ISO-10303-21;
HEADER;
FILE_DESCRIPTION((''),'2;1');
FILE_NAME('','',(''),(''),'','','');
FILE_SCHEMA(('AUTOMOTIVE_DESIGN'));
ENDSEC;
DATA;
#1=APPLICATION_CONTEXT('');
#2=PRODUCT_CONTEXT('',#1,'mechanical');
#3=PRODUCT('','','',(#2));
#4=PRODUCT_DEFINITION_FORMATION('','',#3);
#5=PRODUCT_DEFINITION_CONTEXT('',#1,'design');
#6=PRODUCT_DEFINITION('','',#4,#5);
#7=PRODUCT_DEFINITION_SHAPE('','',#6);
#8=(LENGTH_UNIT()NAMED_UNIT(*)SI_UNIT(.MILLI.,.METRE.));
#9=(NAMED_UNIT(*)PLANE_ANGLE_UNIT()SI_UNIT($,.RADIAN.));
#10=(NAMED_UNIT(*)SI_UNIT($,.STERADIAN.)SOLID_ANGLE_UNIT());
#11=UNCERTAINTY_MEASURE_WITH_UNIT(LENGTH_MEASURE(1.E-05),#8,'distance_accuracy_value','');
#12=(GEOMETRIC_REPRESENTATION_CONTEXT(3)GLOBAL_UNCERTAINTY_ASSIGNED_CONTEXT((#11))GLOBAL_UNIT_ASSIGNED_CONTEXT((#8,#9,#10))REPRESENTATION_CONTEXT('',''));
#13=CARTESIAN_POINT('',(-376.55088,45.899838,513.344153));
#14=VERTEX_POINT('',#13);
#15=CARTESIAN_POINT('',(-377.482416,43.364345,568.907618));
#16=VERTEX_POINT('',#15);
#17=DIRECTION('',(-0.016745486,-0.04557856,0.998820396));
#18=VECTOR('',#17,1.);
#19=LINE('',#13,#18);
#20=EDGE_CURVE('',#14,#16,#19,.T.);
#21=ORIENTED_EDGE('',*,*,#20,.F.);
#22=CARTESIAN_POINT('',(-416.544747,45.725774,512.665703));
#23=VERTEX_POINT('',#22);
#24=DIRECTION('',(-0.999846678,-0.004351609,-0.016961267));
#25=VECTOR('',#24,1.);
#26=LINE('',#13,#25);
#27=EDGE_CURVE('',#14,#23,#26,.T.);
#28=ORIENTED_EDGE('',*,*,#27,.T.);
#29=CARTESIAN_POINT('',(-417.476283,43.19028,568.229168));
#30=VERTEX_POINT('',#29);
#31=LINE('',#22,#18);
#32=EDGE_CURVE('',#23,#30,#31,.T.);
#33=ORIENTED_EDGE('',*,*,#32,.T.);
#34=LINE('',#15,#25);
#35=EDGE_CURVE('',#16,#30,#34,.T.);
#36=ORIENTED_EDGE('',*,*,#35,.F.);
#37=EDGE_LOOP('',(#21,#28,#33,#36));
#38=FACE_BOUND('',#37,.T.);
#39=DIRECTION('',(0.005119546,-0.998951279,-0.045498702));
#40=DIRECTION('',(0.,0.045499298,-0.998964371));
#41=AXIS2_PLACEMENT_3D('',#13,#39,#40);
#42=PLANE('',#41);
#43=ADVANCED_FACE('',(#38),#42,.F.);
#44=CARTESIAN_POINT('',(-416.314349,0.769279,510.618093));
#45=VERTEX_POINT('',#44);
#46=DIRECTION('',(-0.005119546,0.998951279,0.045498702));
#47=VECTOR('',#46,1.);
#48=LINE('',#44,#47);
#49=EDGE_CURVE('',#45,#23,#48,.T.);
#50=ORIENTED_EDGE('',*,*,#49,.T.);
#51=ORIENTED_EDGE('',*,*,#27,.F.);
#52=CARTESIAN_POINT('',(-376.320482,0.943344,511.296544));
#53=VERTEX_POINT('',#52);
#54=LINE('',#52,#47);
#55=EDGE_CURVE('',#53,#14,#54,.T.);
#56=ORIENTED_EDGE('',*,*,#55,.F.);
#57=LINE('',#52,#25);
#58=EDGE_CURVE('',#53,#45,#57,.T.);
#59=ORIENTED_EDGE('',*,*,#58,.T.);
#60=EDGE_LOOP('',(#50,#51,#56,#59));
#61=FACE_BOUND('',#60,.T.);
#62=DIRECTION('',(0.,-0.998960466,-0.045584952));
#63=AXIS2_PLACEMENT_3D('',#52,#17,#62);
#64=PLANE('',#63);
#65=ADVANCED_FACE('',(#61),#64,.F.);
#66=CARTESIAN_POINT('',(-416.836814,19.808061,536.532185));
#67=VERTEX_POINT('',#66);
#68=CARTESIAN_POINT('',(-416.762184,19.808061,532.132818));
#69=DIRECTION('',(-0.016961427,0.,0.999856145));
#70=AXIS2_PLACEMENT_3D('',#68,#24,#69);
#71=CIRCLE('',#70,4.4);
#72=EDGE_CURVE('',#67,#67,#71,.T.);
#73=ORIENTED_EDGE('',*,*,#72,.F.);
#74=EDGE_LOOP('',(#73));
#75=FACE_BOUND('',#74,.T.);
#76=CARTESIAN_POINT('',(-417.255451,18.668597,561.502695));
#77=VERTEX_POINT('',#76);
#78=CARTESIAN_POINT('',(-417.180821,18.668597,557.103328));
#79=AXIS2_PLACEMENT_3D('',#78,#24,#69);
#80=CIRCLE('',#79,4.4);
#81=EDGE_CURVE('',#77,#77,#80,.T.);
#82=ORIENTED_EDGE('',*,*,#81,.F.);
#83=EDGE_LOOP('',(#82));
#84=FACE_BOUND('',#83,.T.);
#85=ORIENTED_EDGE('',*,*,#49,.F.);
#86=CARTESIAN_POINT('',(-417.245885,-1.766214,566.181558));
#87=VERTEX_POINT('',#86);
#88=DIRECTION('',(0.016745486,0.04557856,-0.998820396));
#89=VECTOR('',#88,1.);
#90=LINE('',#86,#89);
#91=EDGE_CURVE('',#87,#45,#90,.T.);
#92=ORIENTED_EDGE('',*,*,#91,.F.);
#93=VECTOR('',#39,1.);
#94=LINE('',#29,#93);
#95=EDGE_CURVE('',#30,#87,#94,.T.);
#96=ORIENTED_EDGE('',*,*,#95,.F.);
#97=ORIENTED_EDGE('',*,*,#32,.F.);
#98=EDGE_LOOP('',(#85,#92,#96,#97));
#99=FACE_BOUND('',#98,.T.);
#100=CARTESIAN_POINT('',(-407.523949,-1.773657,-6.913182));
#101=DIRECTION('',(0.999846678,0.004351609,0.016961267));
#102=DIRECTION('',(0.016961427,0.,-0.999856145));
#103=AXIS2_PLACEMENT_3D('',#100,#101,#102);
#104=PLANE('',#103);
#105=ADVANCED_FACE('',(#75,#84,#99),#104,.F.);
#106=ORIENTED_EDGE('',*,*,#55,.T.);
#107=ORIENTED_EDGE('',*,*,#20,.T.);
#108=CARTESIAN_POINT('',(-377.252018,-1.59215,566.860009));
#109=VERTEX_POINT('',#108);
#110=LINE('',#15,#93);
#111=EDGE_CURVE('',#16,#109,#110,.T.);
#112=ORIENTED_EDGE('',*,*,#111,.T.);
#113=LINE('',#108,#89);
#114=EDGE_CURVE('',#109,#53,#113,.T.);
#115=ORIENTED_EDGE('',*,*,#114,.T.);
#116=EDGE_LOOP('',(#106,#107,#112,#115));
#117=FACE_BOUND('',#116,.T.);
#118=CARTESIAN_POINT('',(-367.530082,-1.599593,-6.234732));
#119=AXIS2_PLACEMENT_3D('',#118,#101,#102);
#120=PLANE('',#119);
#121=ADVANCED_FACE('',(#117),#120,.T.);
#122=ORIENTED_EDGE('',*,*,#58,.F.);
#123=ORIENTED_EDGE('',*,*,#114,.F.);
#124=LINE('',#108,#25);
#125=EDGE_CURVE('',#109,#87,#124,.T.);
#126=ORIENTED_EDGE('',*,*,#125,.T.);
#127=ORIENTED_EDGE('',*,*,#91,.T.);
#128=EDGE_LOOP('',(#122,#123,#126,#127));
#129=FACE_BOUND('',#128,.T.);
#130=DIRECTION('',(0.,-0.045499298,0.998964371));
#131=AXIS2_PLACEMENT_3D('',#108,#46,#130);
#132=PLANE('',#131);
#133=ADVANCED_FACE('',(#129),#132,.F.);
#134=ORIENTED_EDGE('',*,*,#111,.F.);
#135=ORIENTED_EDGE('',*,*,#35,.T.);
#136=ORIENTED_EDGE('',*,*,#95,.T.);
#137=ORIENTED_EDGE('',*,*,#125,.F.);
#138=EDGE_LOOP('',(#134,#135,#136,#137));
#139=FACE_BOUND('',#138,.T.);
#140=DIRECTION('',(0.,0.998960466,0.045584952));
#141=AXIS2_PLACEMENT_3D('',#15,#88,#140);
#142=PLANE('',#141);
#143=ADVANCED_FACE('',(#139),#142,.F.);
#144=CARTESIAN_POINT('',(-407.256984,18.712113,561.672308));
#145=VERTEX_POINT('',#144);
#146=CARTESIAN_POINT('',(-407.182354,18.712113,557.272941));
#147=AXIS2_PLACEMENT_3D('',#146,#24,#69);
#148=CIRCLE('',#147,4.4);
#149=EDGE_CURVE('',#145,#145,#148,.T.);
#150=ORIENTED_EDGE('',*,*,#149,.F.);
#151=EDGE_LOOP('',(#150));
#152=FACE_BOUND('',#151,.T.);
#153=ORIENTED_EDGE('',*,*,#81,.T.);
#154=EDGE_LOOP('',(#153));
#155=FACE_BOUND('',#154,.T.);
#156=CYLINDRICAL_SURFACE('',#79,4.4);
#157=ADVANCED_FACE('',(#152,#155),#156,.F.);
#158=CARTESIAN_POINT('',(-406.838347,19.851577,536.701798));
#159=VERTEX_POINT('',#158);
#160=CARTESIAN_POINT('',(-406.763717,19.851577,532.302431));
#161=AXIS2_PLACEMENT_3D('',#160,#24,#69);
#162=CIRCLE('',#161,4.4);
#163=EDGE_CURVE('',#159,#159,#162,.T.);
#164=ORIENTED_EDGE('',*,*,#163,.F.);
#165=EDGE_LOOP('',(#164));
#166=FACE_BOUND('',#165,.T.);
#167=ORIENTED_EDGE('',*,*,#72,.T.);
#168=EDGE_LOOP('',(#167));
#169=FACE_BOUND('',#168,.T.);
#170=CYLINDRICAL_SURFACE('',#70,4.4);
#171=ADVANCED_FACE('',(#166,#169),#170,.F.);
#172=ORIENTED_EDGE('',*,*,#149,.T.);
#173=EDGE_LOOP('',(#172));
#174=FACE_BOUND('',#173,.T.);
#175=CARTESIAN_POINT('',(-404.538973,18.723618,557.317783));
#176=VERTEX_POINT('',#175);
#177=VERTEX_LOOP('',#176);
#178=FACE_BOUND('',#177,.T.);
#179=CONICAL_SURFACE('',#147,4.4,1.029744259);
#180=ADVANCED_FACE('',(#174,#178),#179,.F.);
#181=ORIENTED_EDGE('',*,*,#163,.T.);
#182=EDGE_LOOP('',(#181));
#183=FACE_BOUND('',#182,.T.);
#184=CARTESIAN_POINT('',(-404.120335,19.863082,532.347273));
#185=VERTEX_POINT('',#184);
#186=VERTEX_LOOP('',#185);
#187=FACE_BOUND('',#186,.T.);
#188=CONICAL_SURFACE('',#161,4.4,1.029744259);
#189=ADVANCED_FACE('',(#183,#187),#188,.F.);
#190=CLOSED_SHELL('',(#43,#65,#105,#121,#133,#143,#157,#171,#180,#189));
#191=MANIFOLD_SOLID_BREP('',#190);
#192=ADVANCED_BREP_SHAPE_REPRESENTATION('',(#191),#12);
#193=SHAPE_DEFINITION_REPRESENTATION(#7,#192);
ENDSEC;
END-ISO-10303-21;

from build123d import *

# Parameters (mm, degrees)
BOSS_EXTRUDE1_DEPTH         = 40
M10X1_25_TAPPED_HOLE1_D     = 8.8
M10X1_25_TAPPED_HOLE1_DEPTH = 10
M10X1_25_TAPPED_HOLE1_TIP   = 2.643786724


with BuildPart() as part:
    # Sketch1 → Boss-Extrude1 (new body)
    with BuildSketch(Plane(origin=(-407.523949035, -1.773656994, -6.913182302), x_dir=(0.01696126662903347, 3.690723310511945e-05, -0.99985614668921), z_dir=(0.9998466777110684, 0.004351609412378134, 0.016961266629033474))):
        Polygon((-575.226758447, 44.985593464), (-573.177194833, 0.028597337), (-517.605829152, 2.562063958), (-519.655392766, 47.519060086), align=None)
    extrude(amount=BOSS_EXTRUDE1_DEPTH)

    # M10x1.25 Tapped Hole1
    with Locations(Plane(origin=(-407.523949035, -1.773656994, -6.913182302), x_dir=(-0.016961266629033415, -3.690723310511849e-05, 0.99985614668921), z_dir=(-0.9998466777110684, -0.004351609412377967, -0.016961266629033418))):
        with Locations((564.098413091, 20.463266947), (539.12435261, 21.601820011)):
            Hole(M10X1_25_TAPPED_HOLE1_D / 2, depth=M10X1_25_TAPPED_HOLE1_DEPTH)
            with Locations((0, 0, -(M10X1_25_TAPPED_HOLE1_DEPTH + M10X1_25_TAPPED_HOLE1_TIP / 2))):  # 118° drill point
                Cone(0, M10X1_25_TAPPED_HOLE1_D / 2, M10X1_25_TAPPED_HOLE1_TIP, mode=Mode.SUBTRACT)


solid = part.part
